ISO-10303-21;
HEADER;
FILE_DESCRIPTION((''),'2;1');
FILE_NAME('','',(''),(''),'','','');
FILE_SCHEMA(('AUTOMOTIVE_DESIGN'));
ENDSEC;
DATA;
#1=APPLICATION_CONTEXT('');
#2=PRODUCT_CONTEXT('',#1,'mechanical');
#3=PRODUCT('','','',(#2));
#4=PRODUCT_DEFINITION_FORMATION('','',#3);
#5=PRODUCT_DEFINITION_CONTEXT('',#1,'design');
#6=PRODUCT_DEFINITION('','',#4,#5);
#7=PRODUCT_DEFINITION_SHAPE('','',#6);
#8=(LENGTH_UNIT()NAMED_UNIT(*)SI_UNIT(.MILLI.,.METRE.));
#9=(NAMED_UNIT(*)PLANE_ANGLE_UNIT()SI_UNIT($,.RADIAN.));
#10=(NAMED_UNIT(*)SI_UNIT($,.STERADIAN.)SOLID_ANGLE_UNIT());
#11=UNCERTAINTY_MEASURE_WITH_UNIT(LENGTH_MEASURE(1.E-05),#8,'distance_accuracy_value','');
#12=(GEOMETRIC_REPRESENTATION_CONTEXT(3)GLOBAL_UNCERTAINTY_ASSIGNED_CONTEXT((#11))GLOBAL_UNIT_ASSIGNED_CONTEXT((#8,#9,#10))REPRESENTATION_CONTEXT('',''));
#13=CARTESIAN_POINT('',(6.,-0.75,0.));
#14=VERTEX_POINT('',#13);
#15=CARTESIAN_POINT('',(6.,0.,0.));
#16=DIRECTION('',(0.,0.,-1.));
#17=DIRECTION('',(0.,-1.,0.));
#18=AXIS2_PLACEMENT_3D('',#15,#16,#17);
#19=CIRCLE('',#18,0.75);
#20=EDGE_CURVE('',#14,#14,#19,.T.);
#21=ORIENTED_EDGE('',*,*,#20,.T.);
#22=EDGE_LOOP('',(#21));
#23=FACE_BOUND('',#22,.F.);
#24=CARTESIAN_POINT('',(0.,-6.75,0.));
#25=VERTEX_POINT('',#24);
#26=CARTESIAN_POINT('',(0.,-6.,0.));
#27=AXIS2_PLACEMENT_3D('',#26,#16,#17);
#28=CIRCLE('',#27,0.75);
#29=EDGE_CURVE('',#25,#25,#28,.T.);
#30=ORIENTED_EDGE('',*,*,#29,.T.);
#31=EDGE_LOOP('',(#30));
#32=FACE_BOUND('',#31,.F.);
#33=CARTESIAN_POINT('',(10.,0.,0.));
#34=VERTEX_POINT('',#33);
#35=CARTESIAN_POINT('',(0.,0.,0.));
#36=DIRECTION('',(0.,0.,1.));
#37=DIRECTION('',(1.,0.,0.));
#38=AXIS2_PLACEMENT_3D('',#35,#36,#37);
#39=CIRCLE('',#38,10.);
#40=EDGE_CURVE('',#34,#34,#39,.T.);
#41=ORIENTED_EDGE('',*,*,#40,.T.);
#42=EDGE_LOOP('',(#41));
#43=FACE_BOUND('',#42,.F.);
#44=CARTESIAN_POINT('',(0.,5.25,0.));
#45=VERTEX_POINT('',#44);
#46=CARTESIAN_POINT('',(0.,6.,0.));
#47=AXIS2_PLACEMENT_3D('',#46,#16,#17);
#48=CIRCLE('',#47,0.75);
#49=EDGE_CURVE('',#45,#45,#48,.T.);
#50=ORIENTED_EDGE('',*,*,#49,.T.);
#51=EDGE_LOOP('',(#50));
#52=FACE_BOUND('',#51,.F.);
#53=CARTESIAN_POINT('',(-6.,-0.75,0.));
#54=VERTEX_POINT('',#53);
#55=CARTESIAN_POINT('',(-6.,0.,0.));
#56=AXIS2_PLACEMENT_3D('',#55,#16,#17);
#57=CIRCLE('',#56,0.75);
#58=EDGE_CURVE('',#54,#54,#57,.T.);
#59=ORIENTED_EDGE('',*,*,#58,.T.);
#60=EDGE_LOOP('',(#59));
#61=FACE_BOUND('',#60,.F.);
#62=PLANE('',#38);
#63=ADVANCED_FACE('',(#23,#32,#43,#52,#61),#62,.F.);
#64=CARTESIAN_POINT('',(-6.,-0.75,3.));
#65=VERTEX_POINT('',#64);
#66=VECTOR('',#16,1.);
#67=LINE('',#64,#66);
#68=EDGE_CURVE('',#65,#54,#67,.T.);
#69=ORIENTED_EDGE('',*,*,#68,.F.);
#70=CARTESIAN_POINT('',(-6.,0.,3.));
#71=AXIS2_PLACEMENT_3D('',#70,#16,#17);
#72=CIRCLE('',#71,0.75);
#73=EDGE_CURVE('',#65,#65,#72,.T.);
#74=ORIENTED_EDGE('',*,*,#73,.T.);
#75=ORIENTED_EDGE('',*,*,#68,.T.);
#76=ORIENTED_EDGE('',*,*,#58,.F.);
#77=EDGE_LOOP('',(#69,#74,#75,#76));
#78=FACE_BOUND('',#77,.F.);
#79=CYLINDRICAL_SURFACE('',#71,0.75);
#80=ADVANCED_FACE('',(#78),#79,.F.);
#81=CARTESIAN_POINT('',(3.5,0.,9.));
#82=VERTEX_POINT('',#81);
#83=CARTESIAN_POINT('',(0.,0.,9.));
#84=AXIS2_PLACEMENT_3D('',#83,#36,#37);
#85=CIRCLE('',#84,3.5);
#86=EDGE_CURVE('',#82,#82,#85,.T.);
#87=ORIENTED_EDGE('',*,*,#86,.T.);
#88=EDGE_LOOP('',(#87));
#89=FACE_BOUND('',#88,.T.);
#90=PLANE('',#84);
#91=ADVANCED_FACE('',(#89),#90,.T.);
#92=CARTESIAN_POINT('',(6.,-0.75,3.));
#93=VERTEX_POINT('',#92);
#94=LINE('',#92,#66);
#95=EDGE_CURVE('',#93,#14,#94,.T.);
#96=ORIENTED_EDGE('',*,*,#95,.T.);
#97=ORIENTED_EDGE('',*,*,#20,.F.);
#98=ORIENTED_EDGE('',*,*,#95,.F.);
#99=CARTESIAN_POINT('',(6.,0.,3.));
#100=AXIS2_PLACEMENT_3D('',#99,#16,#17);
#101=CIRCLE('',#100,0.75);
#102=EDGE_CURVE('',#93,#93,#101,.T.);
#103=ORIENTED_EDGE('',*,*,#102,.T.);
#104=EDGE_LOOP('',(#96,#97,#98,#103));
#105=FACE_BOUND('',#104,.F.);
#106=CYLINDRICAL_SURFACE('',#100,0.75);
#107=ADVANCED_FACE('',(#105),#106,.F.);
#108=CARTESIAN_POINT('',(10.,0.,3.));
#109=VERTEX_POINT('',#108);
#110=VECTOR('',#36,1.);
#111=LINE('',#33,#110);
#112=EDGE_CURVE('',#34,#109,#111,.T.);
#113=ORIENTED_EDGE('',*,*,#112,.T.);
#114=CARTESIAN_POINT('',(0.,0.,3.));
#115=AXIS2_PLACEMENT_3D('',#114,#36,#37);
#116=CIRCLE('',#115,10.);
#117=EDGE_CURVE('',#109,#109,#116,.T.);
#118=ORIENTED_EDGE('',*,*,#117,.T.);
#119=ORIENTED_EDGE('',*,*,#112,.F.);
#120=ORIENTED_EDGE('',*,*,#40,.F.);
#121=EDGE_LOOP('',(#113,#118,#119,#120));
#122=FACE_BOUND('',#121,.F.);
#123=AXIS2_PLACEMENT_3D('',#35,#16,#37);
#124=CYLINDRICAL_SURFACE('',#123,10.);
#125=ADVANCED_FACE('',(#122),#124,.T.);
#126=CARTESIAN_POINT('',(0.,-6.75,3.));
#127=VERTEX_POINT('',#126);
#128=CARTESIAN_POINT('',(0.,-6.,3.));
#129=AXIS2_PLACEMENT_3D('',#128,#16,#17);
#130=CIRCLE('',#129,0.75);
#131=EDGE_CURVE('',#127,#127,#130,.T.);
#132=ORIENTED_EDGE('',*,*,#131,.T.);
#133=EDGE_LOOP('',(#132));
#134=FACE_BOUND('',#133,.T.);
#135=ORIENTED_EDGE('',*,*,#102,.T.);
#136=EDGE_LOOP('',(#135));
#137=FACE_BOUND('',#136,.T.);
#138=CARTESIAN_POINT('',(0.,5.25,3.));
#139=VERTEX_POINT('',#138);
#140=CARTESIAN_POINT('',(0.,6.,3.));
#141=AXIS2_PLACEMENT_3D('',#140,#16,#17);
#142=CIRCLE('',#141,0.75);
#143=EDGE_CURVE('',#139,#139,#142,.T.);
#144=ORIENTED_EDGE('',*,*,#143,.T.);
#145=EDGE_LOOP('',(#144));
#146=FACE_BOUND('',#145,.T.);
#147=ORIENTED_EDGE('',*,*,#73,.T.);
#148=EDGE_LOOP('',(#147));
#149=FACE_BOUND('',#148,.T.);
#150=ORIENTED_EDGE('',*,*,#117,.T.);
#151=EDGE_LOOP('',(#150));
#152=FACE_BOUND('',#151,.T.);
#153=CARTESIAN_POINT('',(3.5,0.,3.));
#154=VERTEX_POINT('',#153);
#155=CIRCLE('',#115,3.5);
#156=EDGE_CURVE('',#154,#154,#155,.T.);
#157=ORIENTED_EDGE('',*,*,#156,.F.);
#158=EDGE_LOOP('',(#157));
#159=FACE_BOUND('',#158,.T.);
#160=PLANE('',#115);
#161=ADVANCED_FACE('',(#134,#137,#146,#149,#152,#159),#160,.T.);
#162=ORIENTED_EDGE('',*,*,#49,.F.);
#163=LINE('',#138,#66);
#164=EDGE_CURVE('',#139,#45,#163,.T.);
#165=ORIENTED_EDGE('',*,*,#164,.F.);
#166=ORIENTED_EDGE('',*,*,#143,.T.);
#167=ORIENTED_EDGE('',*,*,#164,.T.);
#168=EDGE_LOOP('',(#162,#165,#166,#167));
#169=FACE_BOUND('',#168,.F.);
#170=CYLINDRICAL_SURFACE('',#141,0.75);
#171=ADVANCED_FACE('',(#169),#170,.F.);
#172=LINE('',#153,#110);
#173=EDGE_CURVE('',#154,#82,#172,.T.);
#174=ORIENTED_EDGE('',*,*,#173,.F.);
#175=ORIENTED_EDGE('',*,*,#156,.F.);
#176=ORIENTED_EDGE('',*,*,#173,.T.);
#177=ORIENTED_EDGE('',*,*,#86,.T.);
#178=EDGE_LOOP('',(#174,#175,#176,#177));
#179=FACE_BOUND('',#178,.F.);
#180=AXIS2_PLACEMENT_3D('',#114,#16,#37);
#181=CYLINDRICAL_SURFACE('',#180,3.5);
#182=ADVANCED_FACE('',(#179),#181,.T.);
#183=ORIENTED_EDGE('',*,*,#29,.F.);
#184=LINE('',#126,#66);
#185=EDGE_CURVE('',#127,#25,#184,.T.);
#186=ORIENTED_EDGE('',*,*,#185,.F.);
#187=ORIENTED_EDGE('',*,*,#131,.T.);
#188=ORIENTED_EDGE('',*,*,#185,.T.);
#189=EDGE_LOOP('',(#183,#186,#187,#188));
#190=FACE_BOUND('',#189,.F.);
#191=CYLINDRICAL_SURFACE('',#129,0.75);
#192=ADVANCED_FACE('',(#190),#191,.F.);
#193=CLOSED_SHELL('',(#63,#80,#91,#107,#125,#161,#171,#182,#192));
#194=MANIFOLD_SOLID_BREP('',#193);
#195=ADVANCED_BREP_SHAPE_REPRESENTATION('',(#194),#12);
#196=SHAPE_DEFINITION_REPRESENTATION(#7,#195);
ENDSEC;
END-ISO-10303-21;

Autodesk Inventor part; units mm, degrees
ref_plane "YZ Plane" through (0, 0, 0) normal (1, 0, 0) x (0, 1, 0)
ref_plane "XZ Plane" through (0, 0, 0) normal (0, 1, 0) x (-1, 0, 0)
ref_plane "XY Plane" through (0, 0, 0) normal (0, 0, 1) x (1, 0, 0)
sketch "スケッチ6" plane through (0, 0, 0) normal (0, 0, 1) x (1, 0, 0)
  point P0 (0, 0)
sketch "スケッチ7" plane through (0, 0, 0) normal (0, 0, 1) x (1, 0, 0)
  circle A0 centre (0, 0) radius 10
  circle A1 centre (0, 0) radius 6
  point P0 (0, 6)
  point P1 (-6, 0)
  point P2 (0, -6)
  point P3 (6, 0)
  dimension "d29" = 12
  dimension "d28" = 20
  dimension "d32" = 360
extrude "押し出し5" add sketch "スケッチ7" along normal blind 3 contours A0 | A1
sketch "スケッチ8" plane through (0, 0, 3) normal (0, 0, 1) x (1, 0, 0)
  circle A0 centre (0, 0) radius 6
  point P0 (0, 6)
  point P1 (-6, 0)
  point P2 (0, -6)
  point P3 (6, 0)
  dimension "d36" = 12
  dimension "d39" = 360
hole "穴2" at (0, 6, 3) at (-6, 0, 3) at (0, -6, 3) at (6, 0, 3) direction (0, 0, -1) diameter 1.5 end through all
sketch "スケッチ9" plane through (0, 0, 3) normal (0, 0, 1) x (1, 0, 0)
  circle A0 centre (0, 0) radius 3.5
  dimension "d48" = 7
extrude "押し出し6" add sketch "スケッチ9" along normal blind 6
properties part number "gear_01"
